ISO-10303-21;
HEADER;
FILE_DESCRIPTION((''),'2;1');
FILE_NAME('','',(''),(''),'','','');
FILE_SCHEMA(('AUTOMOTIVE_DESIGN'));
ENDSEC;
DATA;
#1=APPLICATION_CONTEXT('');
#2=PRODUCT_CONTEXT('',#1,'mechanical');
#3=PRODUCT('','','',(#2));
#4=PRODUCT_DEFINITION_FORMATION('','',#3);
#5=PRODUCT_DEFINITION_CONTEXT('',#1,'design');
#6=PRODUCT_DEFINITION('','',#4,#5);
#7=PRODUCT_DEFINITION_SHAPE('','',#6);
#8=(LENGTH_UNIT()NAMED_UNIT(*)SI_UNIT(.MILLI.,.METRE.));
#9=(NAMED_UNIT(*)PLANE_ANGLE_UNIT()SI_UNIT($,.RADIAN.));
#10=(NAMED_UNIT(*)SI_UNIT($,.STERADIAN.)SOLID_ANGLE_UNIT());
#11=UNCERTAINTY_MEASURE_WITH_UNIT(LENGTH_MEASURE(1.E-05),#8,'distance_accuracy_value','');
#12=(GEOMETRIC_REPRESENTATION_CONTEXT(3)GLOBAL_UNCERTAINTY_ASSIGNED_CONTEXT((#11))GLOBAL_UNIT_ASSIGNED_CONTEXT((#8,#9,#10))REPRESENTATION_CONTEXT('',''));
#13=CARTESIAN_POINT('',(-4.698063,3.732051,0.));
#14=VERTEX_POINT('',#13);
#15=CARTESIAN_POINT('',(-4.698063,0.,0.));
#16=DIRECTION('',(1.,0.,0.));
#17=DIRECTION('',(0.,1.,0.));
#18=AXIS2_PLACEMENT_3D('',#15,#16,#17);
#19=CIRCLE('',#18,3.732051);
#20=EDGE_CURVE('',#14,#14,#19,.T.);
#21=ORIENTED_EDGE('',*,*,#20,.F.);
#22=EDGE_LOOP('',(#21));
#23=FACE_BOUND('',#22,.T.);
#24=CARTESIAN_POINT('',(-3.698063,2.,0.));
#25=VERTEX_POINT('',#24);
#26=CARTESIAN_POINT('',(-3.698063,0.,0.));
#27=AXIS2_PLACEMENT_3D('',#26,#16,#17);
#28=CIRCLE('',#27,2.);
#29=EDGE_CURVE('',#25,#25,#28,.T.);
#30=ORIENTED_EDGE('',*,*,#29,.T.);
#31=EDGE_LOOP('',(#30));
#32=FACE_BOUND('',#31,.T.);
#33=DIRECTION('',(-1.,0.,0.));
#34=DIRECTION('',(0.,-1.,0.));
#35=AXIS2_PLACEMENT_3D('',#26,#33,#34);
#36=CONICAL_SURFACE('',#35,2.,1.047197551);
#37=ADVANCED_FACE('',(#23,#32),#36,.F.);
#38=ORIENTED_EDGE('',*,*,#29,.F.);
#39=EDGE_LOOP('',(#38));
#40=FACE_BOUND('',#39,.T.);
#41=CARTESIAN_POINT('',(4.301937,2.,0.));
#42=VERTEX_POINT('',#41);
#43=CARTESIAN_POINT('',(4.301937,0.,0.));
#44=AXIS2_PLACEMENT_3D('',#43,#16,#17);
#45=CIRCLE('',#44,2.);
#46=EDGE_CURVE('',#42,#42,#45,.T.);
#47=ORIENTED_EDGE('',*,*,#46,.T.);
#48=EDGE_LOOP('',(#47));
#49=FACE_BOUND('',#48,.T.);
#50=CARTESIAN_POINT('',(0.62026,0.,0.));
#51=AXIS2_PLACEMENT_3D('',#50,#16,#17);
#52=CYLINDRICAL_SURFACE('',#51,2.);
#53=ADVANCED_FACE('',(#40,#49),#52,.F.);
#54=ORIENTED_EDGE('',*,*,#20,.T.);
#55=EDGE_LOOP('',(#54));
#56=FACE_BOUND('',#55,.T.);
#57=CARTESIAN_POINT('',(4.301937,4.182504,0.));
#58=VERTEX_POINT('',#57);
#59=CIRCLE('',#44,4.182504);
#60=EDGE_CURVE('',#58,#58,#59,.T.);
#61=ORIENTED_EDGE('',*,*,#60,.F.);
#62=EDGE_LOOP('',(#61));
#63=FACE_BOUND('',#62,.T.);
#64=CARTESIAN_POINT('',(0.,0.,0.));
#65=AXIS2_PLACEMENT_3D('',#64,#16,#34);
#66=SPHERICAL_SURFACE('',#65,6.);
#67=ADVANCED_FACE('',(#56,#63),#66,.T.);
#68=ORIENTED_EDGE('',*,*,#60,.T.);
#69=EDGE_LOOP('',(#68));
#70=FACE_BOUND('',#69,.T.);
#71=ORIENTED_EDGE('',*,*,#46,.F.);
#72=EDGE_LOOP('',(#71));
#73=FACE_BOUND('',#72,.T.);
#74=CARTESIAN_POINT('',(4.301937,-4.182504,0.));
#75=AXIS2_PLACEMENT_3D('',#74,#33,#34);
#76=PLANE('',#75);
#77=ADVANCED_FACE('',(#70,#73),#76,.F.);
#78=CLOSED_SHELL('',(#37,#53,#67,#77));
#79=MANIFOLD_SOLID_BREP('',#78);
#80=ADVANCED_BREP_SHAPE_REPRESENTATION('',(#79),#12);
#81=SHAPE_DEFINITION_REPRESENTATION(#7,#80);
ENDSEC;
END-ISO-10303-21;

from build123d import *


with BuildPart() as part:
    # Sketch1 → Revolve1 (revolve)
    with BuildSketch(Plane.XY):
        with BuildLine():
            Line((-3.698063087, -2), (4.301936913, -2))
            Line((4.301936913, -2), (4.301936913, -4.182503891))
            ThreePointArc((4.301936913, -4.182503891), (-0.299926627, -5.992498979), (-4.698063087, -3.732050808))
            Line((-4.698063087, -3.732050808), (-3.698063087, -2))
        make_face()
    revolve(axis=Axis((0.62025974, 0, 0), (-1, 0, 0)))


solid = part.part
